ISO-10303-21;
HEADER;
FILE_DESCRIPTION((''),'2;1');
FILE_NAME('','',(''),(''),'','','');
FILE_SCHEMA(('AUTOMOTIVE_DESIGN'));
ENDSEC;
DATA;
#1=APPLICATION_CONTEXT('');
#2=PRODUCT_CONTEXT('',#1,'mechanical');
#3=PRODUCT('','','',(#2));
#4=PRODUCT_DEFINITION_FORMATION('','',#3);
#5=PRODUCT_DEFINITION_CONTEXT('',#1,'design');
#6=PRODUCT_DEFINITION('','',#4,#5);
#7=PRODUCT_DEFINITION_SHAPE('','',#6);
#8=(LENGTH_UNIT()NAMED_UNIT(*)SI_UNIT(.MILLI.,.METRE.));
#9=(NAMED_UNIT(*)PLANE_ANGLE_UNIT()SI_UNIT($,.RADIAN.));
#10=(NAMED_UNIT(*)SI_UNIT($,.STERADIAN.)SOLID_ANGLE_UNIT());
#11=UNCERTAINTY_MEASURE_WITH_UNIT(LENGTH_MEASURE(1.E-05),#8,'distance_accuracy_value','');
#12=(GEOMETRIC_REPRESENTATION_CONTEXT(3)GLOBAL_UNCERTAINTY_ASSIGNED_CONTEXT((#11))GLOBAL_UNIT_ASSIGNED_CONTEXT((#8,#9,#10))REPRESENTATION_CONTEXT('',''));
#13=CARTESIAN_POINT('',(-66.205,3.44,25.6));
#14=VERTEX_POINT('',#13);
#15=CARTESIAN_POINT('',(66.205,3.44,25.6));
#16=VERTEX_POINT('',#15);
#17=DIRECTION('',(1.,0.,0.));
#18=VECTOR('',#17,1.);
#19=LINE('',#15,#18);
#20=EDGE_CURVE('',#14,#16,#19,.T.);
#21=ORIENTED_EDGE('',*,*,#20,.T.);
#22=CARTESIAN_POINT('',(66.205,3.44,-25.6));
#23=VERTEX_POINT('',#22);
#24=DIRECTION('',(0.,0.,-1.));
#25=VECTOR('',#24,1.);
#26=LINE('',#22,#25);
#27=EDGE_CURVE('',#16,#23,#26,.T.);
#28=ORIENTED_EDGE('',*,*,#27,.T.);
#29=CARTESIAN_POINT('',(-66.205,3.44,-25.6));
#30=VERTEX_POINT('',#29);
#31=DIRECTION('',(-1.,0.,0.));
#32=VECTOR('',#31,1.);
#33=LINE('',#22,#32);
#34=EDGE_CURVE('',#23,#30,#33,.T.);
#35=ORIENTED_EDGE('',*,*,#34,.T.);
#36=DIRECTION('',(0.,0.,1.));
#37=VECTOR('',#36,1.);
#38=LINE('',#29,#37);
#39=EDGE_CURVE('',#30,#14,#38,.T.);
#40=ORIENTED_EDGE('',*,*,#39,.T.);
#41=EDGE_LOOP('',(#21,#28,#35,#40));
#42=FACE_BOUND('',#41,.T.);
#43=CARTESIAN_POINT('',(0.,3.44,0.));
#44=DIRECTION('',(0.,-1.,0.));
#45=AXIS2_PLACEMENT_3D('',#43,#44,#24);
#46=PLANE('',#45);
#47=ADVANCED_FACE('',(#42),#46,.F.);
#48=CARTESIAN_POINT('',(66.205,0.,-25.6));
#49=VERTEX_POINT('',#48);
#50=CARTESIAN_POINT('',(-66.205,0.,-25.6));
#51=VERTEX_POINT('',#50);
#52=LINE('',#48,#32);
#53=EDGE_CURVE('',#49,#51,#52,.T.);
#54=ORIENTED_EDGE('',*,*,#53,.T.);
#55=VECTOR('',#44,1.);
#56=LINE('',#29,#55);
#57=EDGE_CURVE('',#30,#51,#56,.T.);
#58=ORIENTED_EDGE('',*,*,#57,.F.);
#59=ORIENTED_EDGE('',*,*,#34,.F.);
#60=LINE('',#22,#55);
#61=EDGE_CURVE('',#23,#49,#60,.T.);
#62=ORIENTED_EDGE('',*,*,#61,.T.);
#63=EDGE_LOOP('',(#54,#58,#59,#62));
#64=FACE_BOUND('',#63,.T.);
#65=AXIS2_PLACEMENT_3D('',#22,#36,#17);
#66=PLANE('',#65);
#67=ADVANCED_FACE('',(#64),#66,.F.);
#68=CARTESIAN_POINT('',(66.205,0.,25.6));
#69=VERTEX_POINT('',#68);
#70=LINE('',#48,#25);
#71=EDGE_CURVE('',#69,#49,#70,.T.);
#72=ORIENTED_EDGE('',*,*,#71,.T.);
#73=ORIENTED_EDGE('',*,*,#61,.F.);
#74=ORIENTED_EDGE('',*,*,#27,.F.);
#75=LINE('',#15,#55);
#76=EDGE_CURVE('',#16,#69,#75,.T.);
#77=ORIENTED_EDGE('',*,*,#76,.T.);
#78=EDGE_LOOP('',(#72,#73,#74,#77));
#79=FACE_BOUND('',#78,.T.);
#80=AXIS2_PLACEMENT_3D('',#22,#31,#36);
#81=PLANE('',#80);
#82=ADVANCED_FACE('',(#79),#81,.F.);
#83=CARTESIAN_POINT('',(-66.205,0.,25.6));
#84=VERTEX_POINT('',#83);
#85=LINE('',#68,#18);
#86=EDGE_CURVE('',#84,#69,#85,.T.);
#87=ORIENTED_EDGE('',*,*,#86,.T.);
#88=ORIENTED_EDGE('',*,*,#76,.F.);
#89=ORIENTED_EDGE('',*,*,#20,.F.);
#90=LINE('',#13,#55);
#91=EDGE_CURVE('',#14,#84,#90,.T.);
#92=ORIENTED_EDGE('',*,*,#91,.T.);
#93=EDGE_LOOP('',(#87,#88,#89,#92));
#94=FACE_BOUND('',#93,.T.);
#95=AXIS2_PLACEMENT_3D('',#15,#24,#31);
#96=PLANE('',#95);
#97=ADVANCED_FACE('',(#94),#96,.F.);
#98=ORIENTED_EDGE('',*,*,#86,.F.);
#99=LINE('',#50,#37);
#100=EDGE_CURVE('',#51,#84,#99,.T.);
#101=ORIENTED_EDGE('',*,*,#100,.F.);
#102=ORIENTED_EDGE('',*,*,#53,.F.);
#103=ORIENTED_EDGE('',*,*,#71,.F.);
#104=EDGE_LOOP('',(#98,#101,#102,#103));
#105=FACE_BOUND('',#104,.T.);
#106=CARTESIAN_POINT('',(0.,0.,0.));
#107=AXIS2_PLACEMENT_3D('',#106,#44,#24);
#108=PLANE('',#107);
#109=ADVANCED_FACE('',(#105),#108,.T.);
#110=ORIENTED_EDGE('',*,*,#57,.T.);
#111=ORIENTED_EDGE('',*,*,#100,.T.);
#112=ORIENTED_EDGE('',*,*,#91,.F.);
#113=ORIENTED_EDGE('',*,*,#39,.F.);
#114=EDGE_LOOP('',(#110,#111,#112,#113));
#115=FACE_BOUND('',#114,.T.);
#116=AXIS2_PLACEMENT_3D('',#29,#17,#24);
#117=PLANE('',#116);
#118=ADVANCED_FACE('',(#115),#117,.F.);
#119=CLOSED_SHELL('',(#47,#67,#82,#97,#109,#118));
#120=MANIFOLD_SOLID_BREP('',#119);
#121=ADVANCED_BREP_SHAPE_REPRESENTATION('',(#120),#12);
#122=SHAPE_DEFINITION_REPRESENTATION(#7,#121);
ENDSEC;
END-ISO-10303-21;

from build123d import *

# Parameters (mm, degrees)
SKETCH1_W           = 132.41
SKETCH1_H           = 51.2
BOSS_EXTRUDE1_DEPTH = 3.44


with BuildPart() as part:
    # Sketch1 → Boss-Extrude1 (new body)
    with BuildSketch(Plane(origin=(0, 0, 0), x_dir=(1, 0, 0), z_dir=(0, 1, 0))):
        Rectangle(SKETCH1_W, SKETCH1_H)
    extrude(amount=BOSS_EXTRUDE1_DEPTH)


solid = part.part
